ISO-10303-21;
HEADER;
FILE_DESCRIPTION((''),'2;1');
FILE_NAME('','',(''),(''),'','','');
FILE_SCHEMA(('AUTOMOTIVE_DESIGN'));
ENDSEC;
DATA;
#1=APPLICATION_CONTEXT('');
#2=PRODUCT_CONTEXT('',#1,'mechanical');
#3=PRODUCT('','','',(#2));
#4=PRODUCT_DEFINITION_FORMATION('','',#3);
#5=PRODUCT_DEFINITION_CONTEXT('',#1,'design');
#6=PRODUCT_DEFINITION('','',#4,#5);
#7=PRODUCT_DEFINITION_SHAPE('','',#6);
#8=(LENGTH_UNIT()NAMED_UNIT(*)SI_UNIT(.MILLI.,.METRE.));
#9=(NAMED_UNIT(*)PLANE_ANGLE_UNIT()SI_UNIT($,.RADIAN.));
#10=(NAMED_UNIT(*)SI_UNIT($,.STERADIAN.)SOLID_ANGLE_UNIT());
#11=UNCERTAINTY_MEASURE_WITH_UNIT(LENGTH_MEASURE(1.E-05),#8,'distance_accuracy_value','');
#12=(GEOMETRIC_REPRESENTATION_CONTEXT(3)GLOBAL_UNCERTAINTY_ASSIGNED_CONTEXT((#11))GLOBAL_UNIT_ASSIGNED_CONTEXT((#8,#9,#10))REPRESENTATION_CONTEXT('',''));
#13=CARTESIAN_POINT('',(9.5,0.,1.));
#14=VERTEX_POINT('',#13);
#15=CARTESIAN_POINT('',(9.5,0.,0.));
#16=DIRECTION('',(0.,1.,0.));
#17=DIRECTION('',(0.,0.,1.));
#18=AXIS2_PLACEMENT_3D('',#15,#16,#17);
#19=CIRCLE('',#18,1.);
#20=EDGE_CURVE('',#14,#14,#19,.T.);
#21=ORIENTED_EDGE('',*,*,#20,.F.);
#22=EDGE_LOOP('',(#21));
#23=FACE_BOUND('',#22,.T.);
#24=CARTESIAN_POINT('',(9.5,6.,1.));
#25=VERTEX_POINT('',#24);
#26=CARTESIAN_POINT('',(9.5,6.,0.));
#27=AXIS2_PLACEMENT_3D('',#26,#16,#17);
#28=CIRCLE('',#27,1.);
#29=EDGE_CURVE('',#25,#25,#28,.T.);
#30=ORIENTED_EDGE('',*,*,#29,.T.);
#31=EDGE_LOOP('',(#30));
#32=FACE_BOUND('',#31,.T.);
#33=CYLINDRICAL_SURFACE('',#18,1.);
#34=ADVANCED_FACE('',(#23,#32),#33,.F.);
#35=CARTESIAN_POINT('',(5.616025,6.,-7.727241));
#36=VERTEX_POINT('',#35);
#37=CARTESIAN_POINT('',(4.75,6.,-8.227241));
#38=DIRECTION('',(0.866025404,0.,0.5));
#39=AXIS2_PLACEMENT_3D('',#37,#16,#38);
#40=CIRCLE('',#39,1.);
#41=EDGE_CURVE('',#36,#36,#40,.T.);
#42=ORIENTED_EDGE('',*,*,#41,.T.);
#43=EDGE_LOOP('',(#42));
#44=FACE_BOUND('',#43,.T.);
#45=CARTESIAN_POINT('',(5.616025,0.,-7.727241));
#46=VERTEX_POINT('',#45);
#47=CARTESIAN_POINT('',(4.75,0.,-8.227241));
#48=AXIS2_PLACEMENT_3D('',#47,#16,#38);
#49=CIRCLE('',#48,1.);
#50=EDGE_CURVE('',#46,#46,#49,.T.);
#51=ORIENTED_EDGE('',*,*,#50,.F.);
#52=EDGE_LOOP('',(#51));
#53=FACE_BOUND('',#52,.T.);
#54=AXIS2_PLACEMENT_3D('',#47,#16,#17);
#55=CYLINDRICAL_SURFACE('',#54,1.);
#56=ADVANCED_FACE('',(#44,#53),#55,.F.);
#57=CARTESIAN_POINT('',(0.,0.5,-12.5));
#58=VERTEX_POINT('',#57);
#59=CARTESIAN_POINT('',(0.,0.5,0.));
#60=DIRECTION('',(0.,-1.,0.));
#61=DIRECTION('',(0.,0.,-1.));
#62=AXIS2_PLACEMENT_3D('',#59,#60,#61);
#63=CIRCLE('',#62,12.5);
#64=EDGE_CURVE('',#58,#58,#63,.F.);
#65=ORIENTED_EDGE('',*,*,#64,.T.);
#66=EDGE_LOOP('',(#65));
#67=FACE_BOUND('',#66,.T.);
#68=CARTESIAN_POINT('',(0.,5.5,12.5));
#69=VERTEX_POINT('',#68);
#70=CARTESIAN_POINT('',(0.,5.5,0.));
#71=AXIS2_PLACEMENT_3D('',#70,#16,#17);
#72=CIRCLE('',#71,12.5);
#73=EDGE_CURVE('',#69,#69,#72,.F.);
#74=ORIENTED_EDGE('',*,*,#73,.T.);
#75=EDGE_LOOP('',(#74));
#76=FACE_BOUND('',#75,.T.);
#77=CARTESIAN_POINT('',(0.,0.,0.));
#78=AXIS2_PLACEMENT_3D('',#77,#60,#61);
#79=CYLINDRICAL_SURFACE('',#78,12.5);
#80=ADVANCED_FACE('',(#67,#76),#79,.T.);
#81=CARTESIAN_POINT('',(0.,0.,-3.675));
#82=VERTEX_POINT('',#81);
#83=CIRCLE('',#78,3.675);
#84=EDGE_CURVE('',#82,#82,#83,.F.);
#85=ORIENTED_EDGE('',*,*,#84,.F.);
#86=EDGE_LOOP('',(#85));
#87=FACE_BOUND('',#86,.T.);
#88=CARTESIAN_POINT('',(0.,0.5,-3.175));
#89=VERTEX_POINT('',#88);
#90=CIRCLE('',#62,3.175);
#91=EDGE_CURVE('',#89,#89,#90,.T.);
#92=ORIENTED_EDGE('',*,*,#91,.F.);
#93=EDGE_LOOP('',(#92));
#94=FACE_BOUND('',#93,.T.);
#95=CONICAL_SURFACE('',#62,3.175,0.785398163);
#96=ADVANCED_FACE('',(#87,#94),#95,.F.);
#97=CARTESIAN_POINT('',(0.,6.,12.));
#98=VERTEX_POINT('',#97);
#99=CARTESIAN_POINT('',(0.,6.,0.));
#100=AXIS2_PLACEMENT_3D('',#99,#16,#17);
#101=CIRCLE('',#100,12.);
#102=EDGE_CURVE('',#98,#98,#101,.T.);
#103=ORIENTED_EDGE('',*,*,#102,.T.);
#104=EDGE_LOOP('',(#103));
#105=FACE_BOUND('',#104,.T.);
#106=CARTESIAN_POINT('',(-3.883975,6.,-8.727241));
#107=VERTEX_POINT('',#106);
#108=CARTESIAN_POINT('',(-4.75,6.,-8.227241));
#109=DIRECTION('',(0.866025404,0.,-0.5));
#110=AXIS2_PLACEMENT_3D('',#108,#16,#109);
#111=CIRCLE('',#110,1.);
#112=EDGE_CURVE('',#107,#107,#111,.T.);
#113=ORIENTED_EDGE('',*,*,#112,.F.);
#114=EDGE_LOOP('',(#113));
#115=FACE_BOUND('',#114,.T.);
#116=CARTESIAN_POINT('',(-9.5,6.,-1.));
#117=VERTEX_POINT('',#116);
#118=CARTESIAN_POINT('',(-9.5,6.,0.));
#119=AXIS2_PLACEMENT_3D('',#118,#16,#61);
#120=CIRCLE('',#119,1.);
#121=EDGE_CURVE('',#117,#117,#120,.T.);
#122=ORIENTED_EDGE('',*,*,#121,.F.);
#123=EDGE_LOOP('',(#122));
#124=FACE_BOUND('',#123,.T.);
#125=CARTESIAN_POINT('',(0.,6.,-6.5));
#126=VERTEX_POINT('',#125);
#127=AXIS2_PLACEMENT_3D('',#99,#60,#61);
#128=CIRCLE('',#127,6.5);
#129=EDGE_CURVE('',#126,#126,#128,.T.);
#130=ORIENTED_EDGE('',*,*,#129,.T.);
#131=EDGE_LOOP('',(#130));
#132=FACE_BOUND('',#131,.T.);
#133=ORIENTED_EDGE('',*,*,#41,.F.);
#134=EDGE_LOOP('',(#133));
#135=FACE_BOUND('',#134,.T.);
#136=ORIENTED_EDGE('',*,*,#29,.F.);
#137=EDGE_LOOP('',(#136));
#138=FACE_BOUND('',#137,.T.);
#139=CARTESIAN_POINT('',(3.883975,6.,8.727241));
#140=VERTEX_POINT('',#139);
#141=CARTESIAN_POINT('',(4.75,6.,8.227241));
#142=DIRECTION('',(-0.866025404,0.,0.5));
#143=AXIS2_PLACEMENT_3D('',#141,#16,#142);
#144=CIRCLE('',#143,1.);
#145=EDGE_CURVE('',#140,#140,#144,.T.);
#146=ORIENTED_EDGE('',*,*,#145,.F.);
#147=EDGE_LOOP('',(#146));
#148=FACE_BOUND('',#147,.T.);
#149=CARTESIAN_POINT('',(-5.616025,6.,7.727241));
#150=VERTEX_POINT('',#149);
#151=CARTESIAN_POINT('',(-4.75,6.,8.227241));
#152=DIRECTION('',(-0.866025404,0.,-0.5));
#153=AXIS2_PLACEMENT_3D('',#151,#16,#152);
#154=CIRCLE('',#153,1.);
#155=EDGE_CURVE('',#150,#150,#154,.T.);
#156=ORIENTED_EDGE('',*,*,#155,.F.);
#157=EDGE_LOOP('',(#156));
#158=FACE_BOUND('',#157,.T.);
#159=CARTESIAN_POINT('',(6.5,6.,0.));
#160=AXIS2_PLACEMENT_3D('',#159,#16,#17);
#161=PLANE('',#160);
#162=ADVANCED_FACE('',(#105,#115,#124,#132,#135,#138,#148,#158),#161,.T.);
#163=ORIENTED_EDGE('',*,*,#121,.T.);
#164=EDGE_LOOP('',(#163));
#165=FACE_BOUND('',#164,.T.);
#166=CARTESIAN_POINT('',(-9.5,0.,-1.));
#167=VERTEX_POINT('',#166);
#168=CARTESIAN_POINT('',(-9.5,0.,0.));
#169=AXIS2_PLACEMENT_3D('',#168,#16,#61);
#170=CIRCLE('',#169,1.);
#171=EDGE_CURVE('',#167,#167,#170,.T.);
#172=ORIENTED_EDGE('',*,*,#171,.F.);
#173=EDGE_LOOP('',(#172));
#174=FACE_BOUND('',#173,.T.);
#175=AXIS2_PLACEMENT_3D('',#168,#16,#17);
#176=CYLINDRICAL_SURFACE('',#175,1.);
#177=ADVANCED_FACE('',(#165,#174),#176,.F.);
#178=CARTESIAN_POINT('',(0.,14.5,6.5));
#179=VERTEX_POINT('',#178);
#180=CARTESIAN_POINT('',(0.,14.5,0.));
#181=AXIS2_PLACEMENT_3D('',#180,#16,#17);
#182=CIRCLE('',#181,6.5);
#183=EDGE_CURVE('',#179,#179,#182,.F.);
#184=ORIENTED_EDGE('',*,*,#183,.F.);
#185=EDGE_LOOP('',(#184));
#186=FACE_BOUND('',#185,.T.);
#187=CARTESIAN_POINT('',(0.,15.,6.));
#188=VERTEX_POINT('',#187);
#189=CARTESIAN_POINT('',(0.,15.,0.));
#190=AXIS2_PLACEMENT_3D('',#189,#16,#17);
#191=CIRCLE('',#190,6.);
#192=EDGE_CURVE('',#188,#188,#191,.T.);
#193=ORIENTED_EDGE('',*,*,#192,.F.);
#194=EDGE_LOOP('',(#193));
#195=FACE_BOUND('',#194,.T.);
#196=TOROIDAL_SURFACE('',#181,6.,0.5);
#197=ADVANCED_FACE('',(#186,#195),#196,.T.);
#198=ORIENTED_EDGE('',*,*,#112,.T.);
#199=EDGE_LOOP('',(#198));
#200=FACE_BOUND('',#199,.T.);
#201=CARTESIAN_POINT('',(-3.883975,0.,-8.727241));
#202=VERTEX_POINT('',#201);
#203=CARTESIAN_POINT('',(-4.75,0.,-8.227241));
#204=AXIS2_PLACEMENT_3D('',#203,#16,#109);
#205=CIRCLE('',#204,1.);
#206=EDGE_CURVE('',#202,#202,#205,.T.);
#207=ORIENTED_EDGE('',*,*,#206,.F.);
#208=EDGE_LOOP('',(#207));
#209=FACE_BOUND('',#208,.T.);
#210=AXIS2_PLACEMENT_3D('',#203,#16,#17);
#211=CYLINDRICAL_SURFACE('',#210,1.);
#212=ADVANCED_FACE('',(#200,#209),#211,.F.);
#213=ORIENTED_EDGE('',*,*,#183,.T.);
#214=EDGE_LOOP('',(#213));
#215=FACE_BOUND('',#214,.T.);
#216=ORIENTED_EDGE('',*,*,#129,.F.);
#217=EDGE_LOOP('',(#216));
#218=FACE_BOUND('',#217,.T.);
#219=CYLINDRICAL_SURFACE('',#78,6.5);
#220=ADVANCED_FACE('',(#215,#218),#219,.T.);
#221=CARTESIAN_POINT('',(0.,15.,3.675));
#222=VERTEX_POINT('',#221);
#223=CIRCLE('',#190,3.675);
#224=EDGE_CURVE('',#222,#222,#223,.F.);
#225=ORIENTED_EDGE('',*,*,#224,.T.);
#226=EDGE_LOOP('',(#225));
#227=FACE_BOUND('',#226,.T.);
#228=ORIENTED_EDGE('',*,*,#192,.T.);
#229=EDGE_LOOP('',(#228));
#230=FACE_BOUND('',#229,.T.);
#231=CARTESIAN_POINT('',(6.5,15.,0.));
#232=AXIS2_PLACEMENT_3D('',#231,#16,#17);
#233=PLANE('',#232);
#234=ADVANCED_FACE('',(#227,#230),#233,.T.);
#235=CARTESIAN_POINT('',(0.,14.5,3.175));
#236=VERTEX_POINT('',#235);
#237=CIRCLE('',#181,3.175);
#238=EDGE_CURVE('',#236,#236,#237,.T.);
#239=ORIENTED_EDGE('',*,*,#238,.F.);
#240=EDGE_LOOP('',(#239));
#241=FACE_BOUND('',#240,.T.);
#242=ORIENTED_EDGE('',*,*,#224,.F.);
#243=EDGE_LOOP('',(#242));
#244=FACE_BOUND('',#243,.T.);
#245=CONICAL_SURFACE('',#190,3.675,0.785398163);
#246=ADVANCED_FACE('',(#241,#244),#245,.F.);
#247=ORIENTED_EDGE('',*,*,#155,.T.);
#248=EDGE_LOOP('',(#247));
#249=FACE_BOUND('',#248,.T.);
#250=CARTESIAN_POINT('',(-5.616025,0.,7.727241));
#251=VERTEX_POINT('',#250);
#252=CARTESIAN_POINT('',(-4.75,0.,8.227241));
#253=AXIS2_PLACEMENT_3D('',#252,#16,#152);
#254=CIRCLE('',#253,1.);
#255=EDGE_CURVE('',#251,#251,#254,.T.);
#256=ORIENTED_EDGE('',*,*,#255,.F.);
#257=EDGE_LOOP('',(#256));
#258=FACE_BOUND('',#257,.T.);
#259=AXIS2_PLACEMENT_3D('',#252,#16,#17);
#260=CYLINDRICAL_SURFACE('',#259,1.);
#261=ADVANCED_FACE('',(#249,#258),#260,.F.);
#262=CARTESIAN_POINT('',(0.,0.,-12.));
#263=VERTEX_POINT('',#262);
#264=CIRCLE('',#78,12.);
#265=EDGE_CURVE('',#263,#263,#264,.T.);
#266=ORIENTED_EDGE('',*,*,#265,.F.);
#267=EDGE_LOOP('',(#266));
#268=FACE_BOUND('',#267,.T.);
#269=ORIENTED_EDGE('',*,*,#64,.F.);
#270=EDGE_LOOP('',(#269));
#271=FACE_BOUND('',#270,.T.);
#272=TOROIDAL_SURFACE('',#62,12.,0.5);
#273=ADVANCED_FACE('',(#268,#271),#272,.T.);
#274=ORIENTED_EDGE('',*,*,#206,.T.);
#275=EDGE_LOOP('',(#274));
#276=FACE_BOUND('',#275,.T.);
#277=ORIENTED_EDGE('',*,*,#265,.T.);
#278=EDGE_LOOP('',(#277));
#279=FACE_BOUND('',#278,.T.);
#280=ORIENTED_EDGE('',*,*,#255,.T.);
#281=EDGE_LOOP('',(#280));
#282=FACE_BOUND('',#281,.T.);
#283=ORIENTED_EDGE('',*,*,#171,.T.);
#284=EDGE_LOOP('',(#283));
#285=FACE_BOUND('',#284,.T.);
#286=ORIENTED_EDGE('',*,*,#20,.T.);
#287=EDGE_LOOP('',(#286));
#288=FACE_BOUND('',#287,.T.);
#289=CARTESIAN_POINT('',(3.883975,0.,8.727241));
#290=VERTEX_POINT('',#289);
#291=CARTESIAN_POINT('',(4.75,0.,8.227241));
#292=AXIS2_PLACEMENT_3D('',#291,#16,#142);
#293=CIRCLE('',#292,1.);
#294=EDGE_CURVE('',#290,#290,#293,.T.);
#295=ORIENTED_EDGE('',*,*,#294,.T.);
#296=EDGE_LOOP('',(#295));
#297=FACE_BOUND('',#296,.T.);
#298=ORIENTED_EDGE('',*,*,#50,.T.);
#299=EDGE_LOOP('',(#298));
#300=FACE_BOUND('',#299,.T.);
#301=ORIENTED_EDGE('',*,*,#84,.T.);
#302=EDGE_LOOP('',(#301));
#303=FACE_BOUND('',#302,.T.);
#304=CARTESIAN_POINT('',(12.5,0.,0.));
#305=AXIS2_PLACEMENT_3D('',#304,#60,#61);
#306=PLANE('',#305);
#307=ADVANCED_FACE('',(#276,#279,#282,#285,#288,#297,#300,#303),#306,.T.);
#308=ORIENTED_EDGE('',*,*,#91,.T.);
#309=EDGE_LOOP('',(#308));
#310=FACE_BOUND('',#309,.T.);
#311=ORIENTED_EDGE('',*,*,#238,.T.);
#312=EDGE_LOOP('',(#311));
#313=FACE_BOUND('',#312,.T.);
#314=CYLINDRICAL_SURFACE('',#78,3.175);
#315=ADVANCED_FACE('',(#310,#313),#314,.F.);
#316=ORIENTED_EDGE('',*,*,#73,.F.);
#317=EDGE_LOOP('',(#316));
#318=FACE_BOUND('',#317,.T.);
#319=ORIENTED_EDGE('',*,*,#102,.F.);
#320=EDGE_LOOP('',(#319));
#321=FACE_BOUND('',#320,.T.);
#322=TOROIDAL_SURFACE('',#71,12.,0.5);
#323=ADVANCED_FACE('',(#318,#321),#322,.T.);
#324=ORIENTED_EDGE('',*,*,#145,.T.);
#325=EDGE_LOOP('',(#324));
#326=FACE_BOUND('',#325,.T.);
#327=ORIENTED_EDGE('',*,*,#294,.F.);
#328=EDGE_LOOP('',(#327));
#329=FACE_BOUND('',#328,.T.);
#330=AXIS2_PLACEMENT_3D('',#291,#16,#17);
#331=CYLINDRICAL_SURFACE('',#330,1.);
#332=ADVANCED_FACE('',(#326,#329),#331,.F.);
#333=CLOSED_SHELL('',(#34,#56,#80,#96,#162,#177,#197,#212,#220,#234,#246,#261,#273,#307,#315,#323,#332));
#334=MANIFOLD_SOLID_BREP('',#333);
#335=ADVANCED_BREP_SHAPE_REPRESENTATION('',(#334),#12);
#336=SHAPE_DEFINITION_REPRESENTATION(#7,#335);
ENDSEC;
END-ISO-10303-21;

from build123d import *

# Parameters (mm, degrees)
ESQUISSE3_R                  = 1
ENL_V_MAT_EXTRU_1_DEPTH      = 7
R_P_TITION_CIRCULAIRE1_COUNT = 6
CONG_1_R                     = 0.5
CHANFREIN1_SIZE              = 0.5


with BuildPart() as part:
    # Esquisse1 → Révolution2 (revolve)
    with BuildSketch(Plane.XY):
        Polygon((6.5, 15), (6.5, 6), (12.5, 6), (12.5, 0), (3.175, 0), (3.175, 15), align=None)
    revolve(axis=Axis((0, 0, 0), (0, 1, 0)))

    # Esquisse3 → Enlèv. mat.-Extru.1 (cut, through all)
    with BuildSketch(Plane(origin=(0, 6, 0), x_dir=(1, 0, 0), z_dir=(0, 1, 0))):
        with Locations((9.5, 0)):
            Circle(ESQUISSE3_R)
    enl_v_mat_extru_1 = extrude(amount=-ENL_V_MAT_EXTRU_1_DEPTH, mode=Mode.SUBTRACT)

    # Répétition circulaire1: Enlèv. mat.-Extru.1 ×6 about axis
    r_p_tition_circulaire1_axis = Axis((0, 0, 0), (0, 1, 0))
    for i in range(1, R_P_TITION_CIRCULAIRE1_COUNT):
        add(enl_v_mat_extru_1.rotate(r_p_tition_circulaire1_axis, i * 360 / R_P_TITION_CIRCULAIRE1_COUNT), mode=Mode.SUBTRACT)

    # Congé1
    cong_1_edges = [part.edges().sort_by_distance(p)[0] for p in [
        (-6.5, 15, 0),
        (-12.5, 6, 0),
        (-12.5, 0, 0),
    ]]
    fillet(cong_1_edges, radius=CONG_1_R)

    # Chanfrein1
    chanfrein1_edges = [part.edges().sort_by_distance(p)[0] for p in [
        (-3.175, 0, 0),
        (-3.175, 15, 0),
    ]]
    chamfer(chanfrein1_edges, length=CHANFREIN1_SIZE)


solid = part.part
